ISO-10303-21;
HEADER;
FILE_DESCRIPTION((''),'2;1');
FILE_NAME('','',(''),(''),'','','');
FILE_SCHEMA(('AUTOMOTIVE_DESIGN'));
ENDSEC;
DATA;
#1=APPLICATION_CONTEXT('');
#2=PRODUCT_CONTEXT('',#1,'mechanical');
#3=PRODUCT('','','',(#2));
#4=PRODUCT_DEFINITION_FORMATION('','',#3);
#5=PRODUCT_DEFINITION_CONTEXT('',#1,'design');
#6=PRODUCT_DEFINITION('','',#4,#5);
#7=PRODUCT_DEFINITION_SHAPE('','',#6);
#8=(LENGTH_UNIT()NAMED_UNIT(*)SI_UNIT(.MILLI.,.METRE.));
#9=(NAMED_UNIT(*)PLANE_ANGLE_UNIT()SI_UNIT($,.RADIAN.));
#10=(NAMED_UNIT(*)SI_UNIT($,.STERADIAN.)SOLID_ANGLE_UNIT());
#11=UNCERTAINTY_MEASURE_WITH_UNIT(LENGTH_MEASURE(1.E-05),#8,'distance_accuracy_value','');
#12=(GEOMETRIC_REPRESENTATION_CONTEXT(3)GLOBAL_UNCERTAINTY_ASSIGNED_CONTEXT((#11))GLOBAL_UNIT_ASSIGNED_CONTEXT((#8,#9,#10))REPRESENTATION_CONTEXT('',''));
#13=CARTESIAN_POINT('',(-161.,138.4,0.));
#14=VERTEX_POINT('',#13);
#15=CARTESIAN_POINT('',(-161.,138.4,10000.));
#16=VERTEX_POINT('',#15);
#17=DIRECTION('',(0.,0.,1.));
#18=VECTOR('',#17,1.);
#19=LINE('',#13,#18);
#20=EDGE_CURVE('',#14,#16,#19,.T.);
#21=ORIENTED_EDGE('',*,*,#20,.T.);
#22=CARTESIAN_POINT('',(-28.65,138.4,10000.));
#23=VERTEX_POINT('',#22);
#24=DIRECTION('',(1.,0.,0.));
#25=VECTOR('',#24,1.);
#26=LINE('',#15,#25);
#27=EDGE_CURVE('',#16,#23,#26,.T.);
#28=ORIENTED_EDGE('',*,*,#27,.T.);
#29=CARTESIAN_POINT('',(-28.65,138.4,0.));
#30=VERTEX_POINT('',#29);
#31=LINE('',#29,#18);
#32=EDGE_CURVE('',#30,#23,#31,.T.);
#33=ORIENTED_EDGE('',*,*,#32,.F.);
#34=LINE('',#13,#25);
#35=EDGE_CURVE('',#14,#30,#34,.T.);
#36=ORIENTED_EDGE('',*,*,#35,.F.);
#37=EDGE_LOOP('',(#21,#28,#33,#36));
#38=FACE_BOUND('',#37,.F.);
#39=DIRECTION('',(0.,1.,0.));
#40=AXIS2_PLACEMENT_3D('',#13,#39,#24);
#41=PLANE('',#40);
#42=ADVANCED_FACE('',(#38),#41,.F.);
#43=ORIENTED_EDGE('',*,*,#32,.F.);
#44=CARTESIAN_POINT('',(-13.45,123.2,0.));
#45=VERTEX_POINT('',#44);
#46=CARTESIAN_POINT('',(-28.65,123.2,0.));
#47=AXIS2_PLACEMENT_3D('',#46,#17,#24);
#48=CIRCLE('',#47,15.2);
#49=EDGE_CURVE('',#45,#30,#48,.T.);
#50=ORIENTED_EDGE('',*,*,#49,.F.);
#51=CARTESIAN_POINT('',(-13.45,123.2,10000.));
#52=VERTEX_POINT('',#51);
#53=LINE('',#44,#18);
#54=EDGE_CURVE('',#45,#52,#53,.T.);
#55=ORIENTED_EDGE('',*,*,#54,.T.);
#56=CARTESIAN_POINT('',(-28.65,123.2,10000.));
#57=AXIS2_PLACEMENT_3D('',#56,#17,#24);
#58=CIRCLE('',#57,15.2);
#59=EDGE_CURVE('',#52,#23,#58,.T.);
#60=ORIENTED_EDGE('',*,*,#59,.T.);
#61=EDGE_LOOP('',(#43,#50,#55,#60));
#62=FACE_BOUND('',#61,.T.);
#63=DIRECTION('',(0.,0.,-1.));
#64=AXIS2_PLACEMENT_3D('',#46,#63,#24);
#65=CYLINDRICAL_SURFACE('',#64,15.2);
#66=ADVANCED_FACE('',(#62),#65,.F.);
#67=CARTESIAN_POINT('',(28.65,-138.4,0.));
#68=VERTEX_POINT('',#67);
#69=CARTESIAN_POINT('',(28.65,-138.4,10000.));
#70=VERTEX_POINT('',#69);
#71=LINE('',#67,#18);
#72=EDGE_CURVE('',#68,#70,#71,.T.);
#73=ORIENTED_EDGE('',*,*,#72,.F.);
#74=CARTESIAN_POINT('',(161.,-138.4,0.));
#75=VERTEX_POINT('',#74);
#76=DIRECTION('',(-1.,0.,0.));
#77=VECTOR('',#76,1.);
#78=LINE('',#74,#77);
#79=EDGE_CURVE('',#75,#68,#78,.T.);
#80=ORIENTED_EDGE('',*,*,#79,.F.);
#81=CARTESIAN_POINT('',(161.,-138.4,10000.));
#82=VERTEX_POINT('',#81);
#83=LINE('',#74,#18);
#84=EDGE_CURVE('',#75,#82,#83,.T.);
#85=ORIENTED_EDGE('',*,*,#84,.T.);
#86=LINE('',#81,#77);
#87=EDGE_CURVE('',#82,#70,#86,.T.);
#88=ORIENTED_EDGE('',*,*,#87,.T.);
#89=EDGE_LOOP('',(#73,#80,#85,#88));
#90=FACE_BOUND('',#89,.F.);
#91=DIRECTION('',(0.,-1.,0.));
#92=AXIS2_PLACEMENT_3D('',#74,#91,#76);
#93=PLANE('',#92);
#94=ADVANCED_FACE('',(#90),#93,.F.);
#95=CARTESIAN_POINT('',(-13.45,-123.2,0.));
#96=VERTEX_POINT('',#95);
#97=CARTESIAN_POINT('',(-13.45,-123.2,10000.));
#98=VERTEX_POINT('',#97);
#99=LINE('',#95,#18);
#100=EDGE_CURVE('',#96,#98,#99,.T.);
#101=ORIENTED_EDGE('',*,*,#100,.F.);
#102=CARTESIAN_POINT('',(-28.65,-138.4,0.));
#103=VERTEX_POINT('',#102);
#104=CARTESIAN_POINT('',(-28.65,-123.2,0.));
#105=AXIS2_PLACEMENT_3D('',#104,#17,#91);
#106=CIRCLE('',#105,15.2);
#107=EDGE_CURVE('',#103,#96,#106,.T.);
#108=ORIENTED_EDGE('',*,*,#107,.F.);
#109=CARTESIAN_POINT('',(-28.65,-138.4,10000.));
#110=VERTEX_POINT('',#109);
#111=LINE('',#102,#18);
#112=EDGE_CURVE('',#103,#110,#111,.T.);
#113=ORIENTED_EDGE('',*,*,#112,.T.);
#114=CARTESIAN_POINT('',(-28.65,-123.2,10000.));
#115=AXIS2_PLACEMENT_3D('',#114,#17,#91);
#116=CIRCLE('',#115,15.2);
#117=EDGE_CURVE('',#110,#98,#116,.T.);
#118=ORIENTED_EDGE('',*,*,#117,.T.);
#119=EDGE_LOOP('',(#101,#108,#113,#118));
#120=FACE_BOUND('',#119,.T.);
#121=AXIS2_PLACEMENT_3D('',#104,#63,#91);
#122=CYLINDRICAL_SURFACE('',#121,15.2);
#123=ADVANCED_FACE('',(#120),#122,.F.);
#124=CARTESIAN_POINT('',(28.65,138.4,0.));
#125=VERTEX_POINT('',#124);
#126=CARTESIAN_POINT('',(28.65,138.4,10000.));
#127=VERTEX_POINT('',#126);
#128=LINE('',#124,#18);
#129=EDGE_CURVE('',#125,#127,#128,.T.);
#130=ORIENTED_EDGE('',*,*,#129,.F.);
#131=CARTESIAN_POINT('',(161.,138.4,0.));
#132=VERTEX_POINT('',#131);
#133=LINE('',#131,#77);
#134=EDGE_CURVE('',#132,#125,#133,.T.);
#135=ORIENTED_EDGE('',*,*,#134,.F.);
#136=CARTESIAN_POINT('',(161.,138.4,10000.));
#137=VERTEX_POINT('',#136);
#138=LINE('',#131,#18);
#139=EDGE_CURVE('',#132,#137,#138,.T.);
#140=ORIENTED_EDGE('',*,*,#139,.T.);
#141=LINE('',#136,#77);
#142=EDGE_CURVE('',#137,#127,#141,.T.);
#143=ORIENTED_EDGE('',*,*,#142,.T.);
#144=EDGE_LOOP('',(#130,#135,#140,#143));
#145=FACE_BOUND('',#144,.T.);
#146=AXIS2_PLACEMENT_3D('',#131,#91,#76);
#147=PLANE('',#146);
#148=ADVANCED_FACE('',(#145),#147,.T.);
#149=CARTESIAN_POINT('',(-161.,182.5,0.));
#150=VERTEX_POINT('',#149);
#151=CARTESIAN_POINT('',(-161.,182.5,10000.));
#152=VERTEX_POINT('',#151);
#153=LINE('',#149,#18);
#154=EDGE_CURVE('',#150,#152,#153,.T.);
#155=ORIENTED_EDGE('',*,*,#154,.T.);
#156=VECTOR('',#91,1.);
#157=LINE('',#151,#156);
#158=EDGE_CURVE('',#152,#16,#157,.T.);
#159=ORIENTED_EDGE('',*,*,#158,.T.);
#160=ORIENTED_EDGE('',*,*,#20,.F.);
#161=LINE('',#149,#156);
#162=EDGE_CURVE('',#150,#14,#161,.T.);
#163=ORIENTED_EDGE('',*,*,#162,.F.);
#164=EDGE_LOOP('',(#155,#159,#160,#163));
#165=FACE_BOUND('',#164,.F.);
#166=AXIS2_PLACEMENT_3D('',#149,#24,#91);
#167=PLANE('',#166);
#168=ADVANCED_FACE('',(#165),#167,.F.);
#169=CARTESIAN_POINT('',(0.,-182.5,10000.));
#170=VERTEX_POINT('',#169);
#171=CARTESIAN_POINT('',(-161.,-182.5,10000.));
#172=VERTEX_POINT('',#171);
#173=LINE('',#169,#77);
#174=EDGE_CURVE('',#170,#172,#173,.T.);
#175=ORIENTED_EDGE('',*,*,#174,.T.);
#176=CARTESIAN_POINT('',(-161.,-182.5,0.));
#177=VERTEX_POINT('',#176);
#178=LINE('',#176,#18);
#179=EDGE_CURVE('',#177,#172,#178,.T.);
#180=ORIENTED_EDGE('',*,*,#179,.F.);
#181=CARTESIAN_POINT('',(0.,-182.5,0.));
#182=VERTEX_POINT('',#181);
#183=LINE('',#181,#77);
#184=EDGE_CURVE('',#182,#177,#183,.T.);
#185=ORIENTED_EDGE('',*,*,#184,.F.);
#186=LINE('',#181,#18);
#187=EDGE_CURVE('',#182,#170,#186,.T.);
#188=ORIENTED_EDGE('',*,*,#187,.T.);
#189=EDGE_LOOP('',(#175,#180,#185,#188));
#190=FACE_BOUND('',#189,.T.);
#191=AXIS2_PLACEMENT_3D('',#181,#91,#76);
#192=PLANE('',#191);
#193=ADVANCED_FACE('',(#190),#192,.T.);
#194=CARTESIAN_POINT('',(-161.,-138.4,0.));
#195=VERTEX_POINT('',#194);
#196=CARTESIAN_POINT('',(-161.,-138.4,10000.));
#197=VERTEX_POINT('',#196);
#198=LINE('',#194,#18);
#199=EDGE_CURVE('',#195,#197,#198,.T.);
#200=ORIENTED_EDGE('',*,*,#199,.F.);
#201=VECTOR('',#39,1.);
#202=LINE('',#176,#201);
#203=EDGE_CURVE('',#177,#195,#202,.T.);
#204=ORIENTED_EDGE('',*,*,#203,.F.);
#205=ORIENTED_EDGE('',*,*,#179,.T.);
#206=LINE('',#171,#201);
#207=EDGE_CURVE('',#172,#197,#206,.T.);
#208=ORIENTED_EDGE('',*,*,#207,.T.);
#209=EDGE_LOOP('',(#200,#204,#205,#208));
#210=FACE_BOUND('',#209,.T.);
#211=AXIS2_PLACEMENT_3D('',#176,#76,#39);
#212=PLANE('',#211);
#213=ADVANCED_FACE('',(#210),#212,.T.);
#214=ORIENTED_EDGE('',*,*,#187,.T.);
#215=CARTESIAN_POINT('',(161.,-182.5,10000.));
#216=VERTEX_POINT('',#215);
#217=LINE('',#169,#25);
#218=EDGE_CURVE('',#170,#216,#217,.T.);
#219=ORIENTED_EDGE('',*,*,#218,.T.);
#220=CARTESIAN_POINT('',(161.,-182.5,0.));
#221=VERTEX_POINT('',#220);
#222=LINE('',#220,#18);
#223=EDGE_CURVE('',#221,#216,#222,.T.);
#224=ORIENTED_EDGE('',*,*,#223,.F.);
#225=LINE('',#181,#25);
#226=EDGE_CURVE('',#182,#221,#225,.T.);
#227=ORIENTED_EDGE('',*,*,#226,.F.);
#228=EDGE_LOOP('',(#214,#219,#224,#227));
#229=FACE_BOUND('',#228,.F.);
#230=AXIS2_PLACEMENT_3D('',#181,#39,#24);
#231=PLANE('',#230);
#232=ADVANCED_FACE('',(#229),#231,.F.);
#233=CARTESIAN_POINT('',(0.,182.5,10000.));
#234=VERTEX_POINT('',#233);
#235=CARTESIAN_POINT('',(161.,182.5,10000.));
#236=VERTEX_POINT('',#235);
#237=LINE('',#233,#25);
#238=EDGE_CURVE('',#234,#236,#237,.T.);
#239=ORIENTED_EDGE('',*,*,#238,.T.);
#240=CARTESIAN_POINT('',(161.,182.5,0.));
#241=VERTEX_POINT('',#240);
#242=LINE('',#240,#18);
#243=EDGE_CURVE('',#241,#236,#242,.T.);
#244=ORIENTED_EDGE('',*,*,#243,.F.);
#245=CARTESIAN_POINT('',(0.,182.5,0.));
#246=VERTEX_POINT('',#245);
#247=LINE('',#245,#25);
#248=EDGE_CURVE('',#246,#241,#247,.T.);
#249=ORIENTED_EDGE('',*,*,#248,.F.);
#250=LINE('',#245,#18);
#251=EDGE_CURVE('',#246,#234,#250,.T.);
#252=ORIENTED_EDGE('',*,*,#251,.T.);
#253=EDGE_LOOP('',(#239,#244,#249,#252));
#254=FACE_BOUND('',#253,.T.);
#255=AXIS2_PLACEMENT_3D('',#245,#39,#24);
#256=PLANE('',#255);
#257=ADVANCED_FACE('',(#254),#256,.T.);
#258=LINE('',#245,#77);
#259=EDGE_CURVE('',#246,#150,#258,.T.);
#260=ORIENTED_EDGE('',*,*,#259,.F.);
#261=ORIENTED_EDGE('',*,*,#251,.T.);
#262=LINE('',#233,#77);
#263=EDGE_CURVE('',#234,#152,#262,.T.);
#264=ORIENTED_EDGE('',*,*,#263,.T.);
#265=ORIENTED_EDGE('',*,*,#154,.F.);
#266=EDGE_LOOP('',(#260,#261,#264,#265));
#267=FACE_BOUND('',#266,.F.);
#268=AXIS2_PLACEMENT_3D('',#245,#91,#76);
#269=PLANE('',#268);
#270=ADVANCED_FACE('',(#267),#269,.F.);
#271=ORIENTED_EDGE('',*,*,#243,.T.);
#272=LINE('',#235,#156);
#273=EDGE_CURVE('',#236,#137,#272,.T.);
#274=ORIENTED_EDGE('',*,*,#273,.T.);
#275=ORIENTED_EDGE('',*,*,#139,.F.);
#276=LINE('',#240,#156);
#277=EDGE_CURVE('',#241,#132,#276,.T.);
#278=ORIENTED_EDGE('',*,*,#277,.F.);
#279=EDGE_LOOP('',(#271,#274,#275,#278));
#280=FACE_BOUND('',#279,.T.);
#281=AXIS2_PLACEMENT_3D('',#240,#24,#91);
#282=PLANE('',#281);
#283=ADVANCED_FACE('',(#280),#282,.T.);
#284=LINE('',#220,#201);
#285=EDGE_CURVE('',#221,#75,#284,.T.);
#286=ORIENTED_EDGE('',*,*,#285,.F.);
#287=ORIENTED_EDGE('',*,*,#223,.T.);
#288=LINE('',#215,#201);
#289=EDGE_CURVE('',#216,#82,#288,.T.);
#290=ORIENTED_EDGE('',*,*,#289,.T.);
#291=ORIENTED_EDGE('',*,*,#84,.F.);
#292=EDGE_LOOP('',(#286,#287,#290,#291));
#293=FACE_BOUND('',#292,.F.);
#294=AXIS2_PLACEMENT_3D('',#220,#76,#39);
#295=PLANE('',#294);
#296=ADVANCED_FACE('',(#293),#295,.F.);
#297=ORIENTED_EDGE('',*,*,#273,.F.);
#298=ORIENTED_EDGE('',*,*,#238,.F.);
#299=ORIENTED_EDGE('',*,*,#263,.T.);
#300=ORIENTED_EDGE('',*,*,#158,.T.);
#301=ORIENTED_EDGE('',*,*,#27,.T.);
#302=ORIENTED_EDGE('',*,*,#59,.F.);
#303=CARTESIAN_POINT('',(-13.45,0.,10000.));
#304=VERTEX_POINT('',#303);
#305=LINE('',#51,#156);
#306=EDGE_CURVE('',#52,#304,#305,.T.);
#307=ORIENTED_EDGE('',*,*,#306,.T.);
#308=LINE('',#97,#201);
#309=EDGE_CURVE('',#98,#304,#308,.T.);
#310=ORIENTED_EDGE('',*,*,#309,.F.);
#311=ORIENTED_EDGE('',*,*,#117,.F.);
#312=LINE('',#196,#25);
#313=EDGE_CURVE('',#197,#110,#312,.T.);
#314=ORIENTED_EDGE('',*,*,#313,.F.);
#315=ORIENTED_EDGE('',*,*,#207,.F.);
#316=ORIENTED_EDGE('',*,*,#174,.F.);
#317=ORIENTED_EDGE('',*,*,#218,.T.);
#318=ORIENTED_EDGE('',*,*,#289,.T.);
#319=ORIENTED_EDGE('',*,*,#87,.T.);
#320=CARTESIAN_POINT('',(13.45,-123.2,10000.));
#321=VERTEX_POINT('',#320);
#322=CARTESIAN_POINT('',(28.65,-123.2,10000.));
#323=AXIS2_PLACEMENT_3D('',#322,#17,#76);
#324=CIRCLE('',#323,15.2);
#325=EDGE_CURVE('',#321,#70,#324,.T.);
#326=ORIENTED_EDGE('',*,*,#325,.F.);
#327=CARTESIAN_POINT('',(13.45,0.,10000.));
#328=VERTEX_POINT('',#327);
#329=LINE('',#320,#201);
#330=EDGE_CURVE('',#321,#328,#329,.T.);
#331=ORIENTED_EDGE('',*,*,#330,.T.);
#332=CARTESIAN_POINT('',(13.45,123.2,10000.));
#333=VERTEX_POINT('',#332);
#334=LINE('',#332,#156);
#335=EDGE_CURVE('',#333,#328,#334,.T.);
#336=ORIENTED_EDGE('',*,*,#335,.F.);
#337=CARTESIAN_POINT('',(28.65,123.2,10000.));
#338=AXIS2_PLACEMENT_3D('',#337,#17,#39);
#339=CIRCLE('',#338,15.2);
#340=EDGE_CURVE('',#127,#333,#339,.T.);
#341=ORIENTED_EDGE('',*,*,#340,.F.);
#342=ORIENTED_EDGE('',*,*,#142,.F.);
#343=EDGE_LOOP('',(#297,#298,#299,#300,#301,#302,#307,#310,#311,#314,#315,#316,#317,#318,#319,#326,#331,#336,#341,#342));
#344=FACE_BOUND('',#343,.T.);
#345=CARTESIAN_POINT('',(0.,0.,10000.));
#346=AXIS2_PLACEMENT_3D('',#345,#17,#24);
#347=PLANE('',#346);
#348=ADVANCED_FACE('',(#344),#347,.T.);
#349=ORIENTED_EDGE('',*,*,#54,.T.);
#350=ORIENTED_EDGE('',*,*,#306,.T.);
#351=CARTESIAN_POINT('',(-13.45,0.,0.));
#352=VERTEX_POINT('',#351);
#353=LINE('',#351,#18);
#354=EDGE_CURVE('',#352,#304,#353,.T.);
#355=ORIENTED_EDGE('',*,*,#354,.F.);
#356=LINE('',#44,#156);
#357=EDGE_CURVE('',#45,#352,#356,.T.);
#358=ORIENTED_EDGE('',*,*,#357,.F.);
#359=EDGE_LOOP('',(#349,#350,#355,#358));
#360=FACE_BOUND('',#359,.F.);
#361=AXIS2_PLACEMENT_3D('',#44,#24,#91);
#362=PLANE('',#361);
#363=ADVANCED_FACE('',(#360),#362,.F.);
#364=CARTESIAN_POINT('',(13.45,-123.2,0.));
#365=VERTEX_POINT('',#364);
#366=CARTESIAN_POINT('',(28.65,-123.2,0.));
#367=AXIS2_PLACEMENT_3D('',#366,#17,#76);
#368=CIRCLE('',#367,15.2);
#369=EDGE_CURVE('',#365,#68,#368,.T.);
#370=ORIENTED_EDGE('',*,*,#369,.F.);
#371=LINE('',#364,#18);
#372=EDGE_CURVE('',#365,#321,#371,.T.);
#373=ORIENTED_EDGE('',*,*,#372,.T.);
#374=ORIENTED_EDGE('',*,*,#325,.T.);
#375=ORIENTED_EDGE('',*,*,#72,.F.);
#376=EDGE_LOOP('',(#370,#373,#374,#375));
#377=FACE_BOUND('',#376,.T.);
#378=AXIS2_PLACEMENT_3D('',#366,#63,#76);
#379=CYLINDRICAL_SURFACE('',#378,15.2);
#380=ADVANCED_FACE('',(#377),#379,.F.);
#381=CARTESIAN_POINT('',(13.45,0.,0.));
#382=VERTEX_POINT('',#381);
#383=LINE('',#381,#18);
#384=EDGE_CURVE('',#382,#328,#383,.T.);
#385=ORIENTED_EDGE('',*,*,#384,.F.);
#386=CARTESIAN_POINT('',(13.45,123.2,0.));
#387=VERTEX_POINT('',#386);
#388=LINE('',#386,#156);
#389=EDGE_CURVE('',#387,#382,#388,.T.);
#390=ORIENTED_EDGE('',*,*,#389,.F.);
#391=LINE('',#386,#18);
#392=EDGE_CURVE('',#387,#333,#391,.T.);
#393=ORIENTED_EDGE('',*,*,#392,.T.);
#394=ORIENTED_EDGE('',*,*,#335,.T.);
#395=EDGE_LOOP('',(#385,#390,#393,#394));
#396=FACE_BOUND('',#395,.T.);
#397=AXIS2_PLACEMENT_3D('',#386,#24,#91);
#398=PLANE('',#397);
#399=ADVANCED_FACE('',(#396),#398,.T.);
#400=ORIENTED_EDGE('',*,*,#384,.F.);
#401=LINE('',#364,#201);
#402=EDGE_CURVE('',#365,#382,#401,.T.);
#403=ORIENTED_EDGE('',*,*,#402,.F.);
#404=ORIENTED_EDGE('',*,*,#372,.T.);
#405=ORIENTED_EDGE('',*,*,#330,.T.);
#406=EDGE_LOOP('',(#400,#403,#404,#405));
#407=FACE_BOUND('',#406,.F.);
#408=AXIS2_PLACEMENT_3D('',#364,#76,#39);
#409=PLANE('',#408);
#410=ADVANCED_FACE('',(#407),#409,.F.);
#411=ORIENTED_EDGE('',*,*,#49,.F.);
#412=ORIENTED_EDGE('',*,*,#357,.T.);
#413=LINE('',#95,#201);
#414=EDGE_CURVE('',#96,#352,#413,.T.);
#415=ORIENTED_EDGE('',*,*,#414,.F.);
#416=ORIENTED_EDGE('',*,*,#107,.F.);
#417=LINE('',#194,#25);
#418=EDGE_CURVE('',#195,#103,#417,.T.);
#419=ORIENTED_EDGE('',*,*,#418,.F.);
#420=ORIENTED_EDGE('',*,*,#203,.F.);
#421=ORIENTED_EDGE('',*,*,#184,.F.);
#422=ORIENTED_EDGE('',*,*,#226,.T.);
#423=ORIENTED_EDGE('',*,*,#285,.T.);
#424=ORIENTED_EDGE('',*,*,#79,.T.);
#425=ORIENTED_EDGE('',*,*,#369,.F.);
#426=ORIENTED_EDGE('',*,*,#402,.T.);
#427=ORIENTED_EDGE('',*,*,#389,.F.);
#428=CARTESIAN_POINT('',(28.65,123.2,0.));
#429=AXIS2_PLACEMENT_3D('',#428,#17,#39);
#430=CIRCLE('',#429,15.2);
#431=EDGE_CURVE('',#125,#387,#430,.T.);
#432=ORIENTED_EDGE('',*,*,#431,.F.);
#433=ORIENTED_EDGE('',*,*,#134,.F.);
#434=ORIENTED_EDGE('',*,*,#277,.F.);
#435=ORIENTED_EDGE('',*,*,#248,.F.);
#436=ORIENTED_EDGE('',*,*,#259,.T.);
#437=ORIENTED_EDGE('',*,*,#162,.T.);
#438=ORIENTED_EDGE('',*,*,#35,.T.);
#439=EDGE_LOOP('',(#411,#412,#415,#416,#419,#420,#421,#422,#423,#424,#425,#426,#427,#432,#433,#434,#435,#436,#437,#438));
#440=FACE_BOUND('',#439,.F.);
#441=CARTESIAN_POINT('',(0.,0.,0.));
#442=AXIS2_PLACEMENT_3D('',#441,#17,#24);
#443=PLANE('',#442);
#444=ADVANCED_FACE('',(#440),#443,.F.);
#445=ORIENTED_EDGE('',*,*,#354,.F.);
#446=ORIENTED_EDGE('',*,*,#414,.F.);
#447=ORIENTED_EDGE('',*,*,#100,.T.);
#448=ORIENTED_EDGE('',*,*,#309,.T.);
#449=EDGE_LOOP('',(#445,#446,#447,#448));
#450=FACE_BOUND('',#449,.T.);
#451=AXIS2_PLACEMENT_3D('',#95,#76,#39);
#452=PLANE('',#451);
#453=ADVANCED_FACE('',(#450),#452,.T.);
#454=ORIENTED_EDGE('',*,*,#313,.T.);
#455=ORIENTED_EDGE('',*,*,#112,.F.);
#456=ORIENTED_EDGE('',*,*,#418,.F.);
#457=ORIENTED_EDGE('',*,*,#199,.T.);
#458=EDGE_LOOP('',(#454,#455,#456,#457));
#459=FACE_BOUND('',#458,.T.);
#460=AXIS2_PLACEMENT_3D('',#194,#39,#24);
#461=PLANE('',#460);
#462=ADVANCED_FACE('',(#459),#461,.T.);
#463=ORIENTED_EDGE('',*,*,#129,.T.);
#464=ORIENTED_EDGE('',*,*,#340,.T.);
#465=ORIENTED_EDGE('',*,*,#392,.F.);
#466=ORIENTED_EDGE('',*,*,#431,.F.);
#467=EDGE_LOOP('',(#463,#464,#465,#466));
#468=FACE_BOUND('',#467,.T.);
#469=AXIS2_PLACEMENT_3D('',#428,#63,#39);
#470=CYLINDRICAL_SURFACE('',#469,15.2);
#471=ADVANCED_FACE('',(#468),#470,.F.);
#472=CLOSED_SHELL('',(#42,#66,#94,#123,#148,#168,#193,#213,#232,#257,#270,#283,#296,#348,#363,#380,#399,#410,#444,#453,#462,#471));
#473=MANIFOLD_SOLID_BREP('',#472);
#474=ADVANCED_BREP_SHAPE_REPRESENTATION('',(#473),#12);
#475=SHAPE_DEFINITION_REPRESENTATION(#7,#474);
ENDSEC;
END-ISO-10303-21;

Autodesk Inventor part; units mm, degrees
ref_plane "YZ Plane" through (0, 0, 0) normal (1, 0, 0) x (0, 1, 0)
ref_plane "Start plane" through (0, 0, 0) normal (0, 0, 1) x (1, 0, 0)
ref_plane "End plane" through (0, 0, 10000) normal (0, 0, 1) x (1, 0, 0)
sketch "Sketch" plane through (0, 0, 0) normal (0, 0, 1) x (1, 0, 0)
  line L0 (-161, -182.5) -> (-161, -138.4)
  line L1 (-161, -138.4) -> (-28.65, -138.4)
  line L2 (-13.45, -123.2) -> (-13.45, 0)
  line L3 (-13.45, 0) -> (0, 0) construction
  line L4 (0, 0) -> (0, -182.5) construction
  line L5 (0, -182.5) -> (-161, -182.5)
  line L6 (-60, 0) -> (80, 0) construction
  line L7 (0, -60) -> (0, 80) construction
  line L8 (161, -182.5) -> (161, -138.4)
  line L9 (161, -138.4) -> (28.65, -138.4)
  line L10 (13.45, -123.2) -> (13.45, 0)
  line L11 (13.45, 0) -> (0, 0) construction
  line L12 (0, -182.5) -> (161, -182.5)
  line L13 (-161, 182.5) -> (-161, 138.4)
  line L14 (-161, 138.4) -> (-28.65, 138.4)
  line L15 (-13.45, 123.2) -> (-13.45, 0)
  line L16 (0, 182.5) -> (-161, 182.5)
  line L17 (161, 182.5) -> (161, 138.4)
  line L18 (161, 138.4) -> (28.65, 138.4)
  line L19 (0, 182.5) -> (161, 182.5)
  line L20 (13.45, 123.2) -> (13.45, 0)
  arc A0 (-13.45, 123.2) -> (-28.65, 138.4) centre (-28.65, 123.2) ccw
  arc A1 (28.65, 138.4) -> (13.45, 123.2) centre (28.65, 123.2) ccw
  arc A2 (13.45, -123.2) -> (28.65, -138.4) centre (28.65, -123.2) ccw
  arc A3 (-28.65, -138.4) -> (-13.45, -123.2) centre (-28.65, -123.2) ccw
  line L21 (0, 108) -> (0, -88) construction
  line L22 (-88, 0) -> (108, 0) construction
  point P0 (-13.45, -138.4)
  point P1 (13.45, -138.4)
  point P2 (-13.45, 138.4)
  point P3 (13.45, 138.4)
  dimension "d1" = 182.5
  dimension "d2" = 44.1
  dimension "d3" = 161
  dimension "d4" = 13.45
  dimension "d10" = 15.2
extrude "Body" add sketch "Sketch" along normal up to surface (10000 mm away) from surface at 0
sketch "Sketch4" plane through (0, 0, 0) normal (0, 0, 1) x (1, 0, 0)
  line L0 (0, 0) -> (10, 0)
ref_plane "Work Plane3" through (0, 0, 0) normal (0, -1, 0) x (1, 0, 0)
sketch "Sketch5" plane through (0, 0, 0) normal (0, -1, 0) x (1, 0, 0)
  line L0 (-2, 0) -> (12, 0) projected
  line L1 (-2, 10000) -> (12, 10000) projected
  dimension "d14" = 10000
equation "\"d1\" = 0.5 * G_H"
equation "\"d2\" = G_T1"
equation "\"d3\" = 0.5 * G_W"
equation "\"d4\" = 0.5 * G_T"
equation "\"d10\" = G_IR"
equation "\"d5\" = G_L"
equation "\"G_W\" = 322"
equation "\"G_H\" = 365"
equation "\"G_T\" = 26.9"
equation "\"G_T1\" = 44.1"
equation "\"G_IR\" = 15.2"
equation "\"G_L\" = d14"
equation "\"G_OFFSET_START\" = 0"
equation "\"G_OFFSET_END\" = 0"
properties part number "AS 3679 - 310 UC - 283 - 10000" material "Steel, Mild"
